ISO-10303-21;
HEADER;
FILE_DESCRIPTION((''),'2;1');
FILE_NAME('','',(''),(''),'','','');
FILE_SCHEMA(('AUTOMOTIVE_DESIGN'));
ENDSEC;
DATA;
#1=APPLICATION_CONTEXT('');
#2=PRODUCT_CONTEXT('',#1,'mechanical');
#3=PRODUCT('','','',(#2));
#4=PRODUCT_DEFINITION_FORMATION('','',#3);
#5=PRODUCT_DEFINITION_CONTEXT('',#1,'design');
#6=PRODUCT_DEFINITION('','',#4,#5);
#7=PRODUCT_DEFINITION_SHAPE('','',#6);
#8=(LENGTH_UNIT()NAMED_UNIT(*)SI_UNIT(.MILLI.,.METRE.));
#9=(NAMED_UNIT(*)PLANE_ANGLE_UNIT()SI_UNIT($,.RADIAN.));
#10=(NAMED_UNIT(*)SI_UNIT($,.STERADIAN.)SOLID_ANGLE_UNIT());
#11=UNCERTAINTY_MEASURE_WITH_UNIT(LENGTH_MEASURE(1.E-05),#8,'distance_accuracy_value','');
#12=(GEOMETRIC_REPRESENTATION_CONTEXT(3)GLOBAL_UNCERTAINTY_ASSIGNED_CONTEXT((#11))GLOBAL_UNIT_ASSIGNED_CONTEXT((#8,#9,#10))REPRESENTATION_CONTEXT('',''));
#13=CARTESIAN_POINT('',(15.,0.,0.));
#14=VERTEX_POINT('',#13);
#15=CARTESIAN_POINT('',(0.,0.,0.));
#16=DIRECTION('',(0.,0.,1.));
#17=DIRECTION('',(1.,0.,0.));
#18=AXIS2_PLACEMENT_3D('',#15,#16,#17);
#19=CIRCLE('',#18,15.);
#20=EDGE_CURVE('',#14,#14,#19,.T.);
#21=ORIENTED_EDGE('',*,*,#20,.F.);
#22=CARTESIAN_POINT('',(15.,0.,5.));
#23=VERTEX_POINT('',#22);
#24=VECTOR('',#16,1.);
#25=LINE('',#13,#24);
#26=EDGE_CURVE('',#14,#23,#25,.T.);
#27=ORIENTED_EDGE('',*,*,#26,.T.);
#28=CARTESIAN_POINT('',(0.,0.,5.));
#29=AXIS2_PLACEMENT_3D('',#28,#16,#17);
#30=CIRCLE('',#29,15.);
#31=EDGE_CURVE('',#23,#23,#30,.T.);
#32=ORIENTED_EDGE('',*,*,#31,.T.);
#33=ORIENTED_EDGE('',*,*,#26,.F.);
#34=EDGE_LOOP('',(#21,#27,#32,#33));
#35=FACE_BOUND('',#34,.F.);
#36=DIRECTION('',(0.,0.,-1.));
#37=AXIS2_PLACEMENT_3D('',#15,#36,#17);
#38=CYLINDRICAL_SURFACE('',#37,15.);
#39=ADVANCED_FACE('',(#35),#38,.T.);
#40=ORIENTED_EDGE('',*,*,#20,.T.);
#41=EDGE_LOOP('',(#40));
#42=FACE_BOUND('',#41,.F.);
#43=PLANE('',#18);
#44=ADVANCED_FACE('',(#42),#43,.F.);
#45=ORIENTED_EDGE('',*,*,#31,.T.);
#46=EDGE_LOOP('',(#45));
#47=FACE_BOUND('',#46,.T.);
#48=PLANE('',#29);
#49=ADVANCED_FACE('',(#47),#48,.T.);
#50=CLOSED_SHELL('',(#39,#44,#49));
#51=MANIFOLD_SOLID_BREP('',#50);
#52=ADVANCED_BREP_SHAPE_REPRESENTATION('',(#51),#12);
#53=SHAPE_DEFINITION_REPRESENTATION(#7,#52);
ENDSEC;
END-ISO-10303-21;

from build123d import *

# Parameters (mm, degrees)
SKETCH_R  = 15
PAD_DEPTH = 5


with BuildPart() as part:
    # Sketch → Pad (new body)
    with BuildSketch(Plane.XY):
        Circle(SKETCH_R)
    extrude(amount=PAD_DEPTH)


solid = part.part
